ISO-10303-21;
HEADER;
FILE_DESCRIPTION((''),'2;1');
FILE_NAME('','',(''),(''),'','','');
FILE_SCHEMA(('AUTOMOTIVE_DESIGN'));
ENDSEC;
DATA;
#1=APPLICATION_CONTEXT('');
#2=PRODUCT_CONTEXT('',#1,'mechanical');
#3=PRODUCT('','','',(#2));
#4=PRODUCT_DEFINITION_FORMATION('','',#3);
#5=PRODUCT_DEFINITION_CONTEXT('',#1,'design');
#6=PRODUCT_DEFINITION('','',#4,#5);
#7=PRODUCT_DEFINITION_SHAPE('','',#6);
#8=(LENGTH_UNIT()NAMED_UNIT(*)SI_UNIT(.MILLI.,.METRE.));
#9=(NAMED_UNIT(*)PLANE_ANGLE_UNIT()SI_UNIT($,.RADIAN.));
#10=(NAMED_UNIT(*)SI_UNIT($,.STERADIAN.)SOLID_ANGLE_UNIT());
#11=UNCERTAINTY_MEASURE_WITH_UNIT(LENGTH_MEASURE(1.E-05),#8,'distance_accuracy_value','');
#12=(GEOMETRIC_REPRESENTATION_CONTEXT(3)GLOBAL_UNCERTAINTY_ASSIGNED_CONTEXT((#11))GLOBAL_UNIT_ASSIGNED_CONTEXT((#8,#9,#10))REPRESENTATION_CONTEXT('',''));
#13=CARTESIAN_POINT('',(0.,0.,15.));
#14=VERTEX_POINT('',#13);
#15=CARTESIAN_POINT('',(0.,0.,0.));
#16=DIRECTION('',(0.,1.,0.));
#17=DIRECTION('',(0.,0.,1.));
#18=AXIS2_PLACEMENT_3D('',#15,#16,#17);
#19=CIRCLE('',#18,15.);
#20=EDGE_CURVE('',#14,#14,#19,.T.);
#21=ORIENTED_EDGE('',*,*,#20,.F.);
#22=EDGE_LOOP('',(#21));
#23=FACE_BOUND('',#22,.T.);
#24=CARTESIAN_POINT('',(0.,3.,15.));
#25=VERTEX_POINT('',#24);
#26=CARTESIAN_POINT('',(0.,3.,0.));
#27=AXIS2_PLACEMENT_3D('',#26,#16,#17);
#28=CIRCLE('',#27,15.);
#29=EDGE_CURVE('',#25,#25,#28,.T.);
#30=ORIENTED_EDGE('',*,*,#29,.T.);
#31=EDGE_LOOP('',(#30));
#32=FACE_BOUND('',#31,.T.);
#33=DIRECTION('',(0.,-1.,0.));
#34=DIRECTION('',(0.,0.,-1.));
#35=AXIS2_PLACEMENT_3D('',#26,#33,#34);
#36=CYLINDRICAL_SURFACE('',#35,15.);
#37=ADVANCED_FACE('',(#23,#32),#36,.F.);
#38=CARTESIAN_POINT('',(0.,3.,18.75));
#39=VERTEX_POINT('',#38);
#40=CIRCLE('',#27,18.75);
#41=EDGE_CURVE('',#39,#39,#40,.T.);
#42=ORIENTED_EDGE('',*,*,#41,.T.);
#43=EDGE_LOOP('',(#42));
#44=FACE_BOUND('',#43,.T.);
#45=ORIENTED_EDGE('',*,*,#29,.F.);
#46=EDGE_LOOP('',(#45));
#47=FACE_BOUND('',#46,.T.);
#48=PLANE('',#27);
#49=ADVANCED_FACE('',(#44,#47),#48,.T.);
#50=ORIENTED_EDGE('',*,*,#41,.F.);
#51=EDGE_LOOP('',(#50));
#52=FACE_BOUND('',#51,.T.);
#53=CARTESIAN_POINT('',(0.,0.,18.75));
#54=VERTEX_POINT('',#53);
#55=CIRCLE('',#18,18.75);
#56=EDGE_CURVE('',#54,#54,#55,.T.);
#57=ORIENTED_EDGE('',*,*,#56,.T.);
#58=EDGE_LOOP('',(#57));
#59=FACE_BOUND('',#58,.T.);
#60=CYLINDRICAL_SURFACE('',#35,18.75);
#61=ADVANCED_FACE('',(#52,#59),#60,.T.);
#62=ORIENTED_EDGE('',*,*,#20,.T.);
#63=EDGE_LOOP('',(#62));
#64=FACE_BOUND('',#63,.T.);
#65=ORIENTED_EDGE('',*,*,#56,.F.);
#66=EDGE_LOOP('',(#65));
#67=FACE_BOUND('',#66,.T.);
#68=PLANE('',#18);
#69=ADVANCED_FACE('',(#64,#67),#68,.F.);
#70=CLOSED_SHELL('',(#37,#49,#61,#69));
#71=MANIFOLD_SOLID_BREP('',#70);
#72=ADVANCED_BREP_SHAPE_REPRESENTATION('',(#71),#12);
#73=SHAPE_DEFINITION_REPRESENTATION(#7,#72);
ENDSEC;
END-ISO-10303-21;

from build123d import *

# Parameters (mm, degrees)
ESQUISSE1_R        = 18.75
ESQUISSE1_R_2      = 15
BOSS_EXTRU_1_DEPTH = 3


with BuildPart() as part:
    # Esquisse1 → Boss.-Extru.1 (new body)
    with BuildSketch(Plane(origin=(0, 0, 0), x_dir=(1, 0, 0), z_dir=(0, 1, 0))):
        with Locations(Location((0, 0, 0), (0, 0, 270))):  # turned: the seam where the file's is
            Circle(ESQUISSE1_R)
        with Locations(Location((0, 0, 0), (0, 0, 270))):  # turned: the seam where the file's is
            Circle(ESQUISSE1_R_2, mode=Mode.SUBTRACT)
    extrude(amount=BOSS_EXTRU_1_DEPTH)


solid = part.part
